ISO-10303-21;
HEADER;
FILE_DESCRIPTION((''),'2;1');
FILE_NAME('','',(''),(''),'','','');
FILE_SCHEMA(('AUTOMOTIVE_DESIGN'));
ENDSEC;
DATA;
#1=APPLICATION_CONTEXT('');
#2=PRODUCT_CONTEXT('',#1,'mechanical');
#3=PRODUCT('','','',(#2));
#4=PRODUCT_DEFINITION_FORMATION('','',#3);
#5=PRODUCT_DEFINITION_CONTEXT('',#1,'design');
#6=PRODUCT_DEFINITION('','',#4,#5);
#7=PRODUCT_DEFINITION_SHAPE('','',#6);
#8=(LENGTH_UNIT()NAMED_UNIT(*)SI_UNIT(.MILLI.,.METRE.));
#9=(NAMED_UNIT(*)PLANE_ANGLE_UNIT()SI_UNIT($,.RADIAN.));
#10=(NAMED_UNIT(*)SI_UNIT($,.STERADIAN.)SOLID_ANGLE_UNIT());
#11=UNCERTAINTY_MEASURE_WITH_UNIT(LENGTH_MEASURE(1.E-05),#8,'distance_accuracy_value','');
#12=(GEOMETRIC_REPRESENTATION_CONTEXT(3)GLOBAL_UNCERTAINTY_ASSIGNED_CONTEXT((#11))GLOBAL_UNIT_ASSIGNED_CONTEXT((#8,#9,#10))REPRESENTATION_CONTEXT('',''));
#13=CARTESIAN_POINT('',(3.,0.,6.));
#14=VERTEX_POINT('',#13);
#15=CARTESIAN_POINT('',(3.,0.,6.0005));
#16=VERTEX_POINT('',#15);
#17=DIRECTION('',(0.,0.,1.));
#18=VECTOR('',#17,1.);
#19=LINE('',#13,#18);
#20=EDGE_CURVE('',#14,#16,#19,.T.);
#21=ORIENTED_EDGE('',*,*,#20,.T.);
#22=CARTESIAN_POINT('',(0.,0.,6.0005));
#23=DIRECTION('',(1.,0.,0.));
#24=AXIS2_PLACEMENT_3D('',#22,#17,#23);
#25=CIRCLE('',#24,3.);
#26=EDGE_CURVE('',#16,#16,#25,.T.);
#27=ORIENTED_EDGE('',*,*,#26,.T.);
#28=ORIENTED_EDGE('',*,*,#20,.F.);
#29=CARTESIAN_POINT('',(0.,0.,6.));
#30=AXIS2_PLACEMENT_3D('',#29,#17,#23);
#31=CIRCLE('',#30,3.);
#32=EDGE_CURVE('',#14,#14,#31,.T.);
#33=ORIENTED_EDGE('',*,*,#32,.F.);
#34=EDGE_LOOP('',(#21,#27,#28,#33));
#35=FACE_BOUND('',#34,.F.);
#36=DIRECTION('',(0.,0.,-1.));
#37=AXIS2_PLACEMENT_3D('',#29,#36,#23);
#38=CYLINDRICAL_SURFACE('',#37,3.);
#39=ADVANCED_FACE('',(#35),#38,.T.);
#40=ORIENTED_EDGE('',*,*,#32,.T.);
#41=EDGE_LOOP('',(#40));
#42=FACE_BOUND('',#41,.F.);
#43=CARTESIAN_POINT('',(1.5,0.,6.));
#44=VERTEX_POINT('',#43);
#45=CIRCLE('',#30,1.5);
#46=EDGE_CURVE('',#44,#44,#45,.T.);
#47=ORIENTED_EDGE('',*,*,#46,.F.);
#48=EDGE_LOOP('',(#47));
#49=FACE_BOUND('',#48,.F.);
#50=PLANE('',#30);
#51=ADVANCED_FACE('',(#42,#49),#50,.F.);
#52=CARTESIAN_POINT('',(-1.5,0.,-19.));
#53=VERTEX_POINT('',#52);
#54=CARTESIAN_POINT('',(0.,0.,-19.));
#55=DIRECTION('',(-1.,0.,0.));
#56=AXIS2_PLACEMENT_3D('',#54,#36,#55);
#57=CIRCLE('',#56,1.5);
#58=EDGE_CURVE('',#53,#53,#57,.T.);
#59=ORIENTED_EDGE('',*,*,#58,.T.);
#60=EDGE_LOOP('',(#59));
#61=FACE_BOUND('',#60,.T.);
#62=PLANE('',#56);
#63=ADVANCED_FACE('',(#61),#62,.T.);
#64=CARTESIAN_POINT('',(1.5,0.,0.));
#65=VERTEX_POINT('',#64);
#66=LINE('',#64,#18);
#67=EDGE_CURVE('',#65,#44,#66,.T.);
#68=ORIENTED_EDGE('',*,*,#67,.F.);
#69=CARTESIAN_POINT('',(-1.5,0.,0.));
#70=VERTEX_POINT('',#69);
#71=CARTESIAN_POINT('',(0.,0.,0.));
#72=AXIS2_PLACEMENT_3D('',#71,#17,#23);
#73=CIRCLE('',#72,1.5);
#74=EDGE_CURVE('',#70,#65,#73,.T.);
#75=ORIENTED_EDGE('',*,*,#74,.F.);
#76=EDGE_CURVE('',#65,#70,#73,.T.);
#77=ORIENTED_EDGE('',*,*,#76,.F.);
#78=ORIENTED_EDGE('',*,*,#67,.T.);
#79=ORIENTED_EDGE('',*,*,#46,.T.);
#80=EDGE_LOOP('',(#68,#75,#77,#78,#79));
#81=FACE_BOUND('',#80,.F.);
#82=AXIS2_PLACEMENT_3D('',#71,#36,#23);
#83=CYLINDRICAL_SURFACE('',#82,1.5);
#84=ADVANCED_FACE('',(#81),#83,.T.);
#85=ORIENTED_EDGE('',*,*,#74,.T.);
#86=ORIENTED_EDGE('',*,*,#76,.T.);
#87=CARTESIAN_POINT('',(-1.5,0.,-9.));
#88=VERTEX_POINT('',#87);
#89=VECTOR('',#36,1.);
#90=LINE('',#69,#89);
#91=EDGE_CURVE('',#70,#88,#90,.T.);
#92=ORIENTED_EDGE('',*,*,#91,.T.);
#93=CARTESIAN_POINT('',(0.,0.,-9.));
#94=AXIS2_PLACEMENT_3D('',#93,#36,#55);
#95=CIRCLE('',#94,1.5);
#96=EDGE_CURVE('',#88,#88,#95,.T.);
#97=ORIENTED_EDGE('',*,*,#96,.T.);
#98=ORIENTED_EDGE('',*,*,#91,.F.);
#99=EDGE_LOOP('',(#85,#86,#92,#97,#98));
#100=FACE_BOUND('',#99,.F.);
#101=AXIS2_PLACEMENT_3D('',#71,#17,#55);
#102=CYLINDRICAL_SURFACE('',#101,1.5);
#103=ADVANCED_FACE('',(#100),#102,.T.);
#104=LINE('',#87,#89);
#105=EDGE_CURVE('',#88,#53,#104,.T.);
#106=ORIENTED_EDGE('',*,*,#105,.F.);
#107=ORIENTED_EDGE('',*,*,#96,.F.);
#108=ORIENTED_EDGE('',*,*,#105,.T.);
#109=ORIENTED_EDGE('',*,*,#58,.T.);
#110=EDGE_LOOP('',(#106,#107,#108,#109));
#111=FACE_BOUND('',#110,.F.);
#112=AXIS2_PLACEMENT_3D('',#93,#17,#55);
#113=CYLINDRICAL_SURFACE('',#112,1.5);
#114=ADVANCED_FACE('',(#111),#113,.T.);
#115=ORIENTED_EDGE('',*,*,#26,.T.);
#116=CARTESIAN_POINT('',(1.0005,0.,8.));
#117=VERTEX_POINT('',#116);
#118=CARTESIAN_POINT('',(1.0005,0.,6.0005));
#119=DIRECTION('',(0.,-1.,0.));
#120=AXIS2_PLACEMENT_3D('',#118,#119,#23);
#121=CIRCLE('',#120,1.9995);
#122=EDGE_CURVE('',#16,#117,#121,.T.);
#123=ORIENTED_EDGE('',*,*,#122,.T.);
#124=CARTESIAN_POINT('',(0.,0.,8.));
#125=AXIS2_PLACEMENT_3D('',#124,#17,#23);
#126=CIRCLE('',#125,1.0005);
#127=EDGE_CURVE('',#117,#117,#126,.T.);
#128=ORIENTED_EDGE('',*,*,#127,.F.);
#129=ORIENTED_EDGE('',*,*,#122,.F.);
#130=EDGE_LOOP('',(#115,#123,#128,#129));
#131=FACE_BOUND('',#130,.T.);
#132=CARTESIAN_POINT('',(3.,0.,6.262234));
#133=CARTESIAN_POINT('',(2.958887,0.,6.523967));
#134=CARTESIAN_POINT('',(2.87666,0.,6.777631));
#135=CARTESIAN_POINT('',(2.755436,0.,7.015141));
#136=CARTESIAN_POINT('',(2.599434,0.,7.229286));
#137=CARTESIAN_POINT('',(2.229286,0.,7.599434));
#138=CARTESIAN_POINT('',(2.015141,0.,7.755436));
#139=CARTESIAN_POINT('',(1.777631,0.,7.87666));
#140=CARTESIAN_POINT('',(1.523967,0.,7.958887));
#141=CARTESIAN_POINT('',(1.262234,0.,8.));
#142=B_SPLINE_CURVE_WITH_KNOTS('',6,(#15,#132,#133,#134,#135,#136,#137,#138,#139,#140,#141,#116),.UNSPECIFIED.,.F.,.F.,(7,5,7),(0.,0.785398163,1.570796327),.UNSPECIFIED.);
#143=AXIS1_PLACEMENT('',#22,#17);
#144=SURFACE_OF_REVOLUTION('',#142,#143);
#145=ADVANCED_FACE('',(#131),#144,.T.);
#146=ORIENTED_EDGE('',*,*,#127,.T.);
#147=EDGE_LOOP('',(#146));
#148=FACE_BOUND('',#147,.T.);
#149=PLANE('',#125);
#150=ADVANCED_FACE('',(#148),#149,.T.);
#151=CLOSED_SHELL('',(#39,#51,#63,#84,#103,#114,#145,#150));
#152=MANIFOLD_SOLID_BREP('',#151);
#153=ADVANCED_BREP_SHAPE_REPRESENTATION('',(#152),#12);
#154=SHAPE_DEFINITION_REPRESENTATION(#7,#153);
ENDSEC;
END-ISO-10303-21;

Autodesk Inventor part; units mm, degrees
ref_plane "YZ Plane" through (0, 0, 0) normal (1, 0, 0) x (0, 1, 0)
ref_plane "XZ Plane" through (0, 0, 0) normal (0, 1, 0) x (-1, 0, 0)
ref_plane "XY Plane" through (0, 0, 0) normal (0, 0, 1) x (1, 0, 0)
sketch "スケッチ1" plane through (0, 0, 0) normal (0, 0, 1) x (1, 0, 0)
  circle A0 centre (0, 0) radius 1.5
  dimension "d0" = 3
extrude "押し出し1" add sketch "スケッチ1" along normal blind 6
sketch "スケッチ2" plane through (0, 0, 6) normal (0, 0, 1) x (1, 0, 0)
  circle A0 centre (0, 0) radius 1.5 projected
  circle A1 centre (0, 0) radius 3
  dimension "d3" = 6
extrude "押し出し2" add sketch "スケッチ2" along normal blind 2 contours A0 | A1
fillet "フィレット1" radius 2 1 edges at (-3, 0, 8)
thread "ねじ1" size "M3x0.5" class "6g" standard "ANSI Metric M Profile" full length
sketch "スケッチ3" plane through (0, 0, 0) normal (0, 0, -1) x (-1, 0, 0)
  circle A0 centre (0, 0) radius 1.5 projected
extrude "押し出し3" add sketch "スケッチ3" along normal blind 9
sketch "スケッチ4" plane through (0, 0, -9) normal (0, 0, -1) x (-1, 0, 0)
  circle A0 centre (0, 0) radius 1.5 projected
extrude "押し出し4" add sketch "スケッチ4" along normal blind 10
properties part number "SB　25mmなべネジ" material "Steel, Mild"
